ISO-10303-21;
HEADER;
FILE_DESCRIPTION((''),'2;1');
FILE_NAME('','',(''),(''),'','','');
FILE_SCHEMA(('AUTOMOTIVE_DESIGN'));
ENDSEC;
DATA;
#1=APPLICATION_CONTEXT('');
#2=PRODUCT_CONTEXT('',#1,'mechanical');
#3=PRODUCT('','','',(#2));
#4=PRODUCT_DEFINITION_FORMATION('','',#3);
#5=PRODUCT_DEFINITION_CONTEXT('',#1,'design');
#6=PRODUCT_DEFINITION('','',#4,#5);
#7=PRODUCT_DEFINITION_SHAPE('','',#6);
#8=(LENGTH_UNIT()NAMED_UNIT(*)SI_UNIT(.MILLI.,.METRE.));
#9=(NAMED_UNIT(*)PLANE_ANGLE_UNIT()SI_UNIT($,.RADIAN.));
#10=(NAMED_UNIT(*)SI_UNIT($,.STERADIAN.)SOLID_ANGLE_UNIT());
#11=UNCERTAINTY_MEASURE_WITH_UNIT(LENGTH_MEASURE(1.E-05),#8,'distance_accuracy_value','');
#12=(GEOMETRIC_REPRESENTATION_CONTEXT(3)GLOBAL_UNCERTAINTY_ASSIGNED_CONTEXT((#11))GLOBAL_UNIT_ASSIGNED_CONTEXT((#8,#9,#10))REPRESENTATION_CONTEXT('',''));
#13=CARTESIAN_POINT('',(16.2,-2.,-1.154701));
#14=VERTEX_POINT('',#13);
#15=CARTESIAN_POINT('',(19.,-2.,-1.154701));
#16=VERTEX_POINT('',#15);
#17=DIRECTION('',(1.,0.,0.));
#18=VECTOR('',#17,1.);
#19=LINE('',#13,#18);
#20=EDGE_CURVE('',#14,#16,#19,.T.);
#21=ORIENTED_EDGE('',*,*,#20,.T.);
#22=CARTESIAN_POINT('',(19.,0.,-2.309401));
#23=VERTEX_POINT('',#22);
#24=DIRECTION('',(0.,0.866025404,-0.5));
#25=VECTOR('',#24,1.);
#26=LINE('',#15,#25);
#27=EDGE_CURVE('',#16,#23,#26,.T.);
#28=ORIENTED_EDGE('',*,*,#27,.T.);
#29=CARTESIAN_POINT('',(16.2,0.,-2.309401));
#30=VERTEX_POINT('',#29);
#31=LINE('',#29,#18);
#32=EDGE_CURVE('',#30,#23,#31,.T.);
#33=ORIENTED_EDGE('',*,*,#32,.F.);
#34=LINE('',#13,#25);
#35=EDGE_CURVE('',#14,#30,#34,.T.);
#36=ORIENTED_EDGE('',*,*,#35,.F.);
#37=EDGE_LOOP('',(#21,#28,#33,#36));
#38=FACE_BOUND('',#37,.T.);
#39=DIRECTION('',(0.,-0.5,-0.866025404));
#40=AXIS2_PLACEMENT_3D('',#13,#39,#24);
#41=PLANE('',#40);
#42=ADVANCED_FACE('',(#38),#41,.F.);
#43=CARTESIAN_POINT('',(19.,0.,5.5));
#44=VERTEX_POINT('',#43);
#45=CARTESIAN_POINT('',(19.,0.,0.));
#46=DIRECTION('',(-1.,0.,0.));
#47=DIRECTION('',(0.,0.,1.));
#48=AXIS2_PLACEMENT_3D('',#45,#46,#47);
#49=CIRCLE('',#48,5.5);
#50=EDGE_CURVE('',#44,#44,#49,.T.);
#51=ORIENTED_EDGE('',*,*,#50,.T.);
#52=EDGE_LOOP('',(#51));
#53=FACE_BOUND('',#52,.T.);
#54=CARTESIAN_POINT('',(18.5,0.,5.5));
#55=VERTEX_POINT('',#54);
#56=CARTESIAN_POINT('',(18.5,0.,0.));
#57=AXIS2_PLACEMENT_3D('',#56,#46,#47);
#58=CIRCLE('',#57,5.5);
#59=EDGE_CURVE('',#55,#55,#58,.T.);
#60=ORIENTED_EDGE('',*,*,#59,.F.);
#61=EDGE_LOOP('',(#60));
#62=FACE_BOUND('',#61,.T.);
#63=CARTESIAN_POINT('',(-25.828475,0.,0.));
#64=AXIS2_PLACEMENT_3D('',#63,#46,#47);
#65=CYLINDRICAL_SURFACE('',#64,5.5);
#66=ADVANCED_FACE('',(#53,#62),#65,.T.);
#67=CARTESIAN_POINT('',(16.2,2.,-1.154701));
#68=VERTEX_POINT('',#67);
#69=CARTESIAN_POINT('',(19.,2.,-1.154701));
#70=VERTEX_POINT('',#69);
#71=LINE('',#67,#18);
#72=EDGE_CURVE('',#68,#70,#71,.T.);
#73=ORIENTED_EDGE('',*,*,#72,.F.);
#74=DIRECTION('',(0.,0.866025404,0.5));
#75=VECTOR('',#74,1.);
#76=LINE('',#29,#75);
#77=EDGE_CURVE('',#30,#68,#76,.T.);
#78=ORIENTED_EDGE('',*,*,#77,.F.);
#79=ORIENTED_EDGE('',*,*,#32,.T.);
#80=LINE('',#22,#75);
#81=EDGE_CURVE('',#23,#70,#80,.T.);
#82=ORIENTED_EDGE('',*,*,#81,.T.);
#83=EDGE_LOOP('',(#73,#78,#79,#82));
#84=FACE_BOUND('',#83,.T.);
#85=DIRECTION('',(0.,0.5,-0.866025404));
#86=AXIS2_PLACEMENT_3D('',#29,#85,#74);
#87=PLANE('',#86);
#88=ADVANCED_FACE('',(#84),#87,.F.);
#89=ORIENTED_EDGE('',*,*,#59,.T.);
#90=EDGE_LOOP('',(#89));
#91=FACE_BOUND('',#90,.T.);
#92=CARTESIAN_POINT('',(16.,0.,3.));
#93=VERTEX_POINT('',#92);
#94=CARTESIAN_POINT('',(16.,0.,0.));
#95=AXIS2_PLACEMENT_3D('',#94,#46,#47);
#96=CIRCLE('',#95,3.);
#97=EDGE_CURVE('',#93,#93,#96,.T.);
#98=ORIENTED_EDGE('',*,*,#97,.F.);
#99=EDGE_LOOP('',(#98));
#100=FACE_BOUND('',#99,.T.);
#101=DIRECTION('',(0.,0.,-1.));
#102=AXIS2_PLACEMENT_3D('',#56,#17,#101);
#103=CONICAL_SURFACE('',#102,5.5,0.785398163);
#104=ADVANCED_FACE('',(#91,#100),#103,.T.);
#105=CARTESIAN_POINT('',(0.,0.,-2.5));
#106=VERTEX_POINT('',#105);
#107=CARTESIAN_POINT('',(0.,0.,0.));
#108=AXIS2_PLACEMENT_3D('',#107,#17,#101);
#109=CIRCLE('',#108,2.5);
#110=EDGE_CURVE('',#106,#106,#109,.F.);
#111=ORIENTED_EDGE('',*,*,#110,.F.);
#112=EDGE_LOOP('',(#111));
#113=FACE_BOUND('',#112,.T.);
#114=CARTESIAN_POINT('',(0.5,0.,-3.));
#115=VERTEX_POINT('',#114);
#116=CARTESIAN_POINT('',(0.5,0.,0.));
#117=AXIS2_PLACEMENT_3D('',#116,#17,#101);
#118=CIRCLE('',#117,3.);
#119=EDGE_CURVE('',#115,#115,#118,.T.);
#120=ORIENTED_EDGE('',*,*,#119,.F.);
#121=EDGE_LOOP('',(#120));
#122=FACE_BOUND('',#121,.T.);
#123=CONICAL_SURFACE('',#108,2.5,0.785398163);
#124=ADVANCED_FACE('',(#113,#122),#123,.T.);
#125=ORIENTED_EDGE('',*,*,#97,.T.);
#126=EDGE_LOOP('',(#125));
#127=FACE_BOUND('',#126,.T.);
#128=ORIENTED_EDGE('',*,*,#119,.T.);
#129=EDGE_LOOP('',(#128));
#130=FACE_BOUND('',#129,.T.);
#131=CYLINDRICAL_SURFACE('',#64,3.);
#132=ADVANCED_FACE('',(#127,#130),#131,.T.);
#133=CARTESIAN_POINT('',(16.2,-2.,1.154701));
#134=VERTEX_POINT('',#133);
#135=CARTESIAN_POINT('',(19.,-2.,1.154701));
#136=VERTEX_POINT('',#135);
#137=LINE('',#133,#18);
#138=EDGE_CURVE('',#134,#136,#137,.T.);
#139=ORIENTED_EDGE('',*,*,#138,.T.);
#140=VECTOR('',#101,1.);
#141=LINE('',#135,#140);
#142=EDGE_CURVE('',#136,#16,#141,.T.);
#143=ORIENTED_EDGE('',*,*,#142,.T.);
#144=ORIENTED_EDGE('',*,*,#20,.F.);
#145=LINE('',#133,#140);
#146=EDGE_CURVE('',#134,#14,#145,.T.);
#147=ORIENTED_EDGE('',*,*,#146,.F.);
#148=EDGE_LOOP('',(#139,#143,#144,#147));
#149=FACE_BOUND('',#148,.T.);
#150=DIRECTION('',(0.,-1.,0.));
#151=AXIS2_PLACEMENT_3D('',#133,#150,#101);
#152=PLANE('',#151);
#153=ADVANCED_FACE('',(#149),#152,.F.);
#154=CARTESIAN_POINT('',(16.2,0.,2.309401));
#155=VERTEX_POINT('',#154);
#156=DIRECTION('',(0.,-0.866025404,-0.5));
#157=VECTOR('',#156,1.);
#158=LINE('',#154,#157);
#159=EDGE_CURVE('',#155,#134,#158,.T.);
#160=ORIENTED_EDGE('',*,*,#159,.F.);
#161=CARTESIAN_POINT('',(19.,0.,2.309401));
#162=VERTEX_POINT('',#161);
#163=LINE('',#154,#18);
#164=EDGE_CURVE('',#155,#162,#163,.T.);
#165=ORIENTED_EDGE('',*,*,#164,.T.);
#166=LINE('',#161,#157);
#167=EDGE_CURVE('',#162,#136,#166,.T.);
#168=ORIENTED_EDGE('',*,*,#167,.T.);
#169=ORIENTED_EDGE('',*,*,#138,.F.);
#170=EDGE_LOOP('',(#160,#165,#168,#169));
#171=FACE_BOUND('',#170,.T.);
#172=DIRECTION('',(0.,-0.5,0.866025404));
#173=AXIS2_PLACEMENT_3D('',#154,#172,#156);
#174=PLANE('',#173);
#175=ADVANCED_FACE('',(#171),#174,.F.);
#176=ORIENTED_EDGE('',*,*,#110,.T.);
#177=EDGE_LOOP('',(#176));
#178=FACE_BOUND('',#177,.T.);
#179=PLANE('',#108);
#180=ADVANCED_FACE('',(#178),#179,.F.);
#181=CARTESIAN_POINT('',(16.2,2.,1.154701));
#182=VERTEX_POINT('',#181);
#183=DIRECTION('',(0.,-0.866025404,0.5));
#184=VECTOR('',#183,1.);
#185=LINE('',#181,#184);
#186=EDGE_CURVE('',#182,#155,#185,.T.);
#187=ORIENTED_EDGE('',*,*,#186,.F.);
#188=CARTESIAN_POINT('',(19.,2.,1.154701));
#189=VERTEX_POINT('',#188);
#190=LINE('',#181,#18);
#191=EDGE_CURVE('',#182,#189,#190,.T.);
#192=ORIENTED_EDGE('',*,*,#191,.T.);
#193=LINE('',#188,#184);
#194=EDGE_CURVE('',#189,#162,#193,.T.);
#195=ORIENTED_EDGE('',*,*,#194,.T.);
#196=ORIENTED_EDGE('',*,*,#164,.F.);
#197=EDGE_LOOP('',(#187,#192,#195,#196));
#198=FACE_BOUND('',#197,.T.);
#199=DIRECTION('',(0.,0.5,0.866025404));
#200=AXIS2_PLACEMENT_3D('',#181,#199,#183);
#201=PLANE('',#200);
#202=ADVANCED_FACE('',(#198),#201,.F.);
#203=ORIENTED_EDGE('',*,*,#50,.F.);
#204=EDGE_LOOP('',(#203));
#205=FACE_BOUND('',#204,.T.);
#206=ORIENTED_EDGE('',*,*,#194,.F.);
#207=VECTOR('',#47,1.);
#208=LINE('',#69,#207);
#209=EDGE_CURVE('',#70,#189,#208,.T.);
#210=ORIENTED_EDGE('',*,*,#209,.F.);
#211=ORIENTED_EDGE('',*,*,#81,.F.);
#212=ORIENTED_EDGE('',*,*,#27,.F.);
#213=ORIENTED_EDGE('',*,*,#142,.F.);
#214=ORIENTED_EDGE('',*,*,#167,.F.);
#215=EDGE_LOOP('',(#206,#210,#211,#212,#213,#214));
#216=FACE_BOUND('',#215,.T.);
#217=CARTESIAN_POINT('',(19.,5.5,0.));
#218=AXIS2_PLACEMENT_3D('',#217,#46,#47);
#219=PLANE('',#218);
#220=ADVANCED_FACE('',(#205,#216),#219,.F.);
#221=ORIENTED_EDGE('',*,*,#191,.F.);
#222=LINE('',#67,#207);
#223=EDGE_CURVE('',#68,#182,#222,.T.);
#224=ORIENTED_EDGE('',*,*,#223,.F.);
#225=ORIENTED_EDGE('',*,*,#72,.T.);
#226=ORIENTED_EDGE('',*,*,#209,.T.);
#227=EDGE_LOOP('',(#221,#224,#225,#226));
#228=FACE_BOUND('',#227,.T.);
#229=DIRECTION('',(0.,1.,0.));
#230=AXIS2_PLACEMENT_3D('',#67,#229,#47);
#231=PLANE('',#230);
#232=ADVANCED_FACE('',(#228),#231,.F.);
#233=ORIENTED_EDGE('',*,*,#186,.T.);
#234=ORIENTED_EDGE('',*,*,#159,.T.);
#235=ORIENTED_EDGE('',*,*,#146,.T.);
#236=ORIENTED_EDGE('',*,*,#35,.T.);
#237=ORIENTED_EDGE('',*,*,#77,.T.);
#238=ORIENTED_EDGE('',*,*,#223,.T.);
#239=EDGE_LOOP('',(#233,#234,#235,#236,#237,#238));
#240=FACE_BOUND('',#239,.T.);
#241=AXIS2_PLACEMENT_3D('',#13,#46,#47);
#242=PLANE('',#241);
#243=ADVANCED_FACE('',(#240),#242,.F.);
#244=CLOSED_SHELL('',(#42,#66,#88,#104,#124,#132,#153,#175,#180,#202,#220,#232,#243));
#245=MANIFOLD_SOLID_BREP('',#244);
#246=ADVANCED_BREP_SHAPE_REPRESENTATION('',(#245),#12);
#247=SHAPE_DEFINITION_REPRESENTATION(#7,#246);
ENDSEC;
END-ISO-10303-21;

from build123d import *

# Parameters (mm, degrees)
CHANFREIN2_SIZE         = 0.5
EMPREINTE_POUR_CL_DEPTH = 2.8


with BuildPart() as part:
    # Esquisse1 → Base-Révolution (revolve)
    with BuildSketch(Plane.XY, mode=Mode.PRIVATE) as base_r_volution_sk:
        Polygon((0, 0), (0, 3), (16, 3), (18.5, 5.5), (19, 5.5), (19, 0), align=None)
    revolve(base_r_volution_sk.sketch.rotate(Axis((-25.828475034, 0, 0), (1, 0, 0)), 90), axis=Axis((-25.828475034, 0, 0), (1, 0, 0)))

    # Chanfrein2
    chanfrein2_edges = [part.edges().sort_by_distance(p)[0] for p in [
        (0, 0, -3),
    ]]
    chamfer(chanfrein2_edges, length=CHANFREIN2_SIZE)

    # Esquisse2 → Empreinte pour clé (cut)
    with BuildSketch(Plane(origin=(19, 0, 0), x_dir=(0, 0, -1), z_dir=(1, 0, 0))):
        Polygon((2.309401077, 0), (1.154700538, 2), (-1.154700538, 2), (-2.309401077, 0), (-1.154700538, -2), (1.154700538, -2), align=None)
    extrude(amount=-EMPREINTE_POUR_CL_DEPTH, mode=Mode.SUBTRACT)


solid = part.part
